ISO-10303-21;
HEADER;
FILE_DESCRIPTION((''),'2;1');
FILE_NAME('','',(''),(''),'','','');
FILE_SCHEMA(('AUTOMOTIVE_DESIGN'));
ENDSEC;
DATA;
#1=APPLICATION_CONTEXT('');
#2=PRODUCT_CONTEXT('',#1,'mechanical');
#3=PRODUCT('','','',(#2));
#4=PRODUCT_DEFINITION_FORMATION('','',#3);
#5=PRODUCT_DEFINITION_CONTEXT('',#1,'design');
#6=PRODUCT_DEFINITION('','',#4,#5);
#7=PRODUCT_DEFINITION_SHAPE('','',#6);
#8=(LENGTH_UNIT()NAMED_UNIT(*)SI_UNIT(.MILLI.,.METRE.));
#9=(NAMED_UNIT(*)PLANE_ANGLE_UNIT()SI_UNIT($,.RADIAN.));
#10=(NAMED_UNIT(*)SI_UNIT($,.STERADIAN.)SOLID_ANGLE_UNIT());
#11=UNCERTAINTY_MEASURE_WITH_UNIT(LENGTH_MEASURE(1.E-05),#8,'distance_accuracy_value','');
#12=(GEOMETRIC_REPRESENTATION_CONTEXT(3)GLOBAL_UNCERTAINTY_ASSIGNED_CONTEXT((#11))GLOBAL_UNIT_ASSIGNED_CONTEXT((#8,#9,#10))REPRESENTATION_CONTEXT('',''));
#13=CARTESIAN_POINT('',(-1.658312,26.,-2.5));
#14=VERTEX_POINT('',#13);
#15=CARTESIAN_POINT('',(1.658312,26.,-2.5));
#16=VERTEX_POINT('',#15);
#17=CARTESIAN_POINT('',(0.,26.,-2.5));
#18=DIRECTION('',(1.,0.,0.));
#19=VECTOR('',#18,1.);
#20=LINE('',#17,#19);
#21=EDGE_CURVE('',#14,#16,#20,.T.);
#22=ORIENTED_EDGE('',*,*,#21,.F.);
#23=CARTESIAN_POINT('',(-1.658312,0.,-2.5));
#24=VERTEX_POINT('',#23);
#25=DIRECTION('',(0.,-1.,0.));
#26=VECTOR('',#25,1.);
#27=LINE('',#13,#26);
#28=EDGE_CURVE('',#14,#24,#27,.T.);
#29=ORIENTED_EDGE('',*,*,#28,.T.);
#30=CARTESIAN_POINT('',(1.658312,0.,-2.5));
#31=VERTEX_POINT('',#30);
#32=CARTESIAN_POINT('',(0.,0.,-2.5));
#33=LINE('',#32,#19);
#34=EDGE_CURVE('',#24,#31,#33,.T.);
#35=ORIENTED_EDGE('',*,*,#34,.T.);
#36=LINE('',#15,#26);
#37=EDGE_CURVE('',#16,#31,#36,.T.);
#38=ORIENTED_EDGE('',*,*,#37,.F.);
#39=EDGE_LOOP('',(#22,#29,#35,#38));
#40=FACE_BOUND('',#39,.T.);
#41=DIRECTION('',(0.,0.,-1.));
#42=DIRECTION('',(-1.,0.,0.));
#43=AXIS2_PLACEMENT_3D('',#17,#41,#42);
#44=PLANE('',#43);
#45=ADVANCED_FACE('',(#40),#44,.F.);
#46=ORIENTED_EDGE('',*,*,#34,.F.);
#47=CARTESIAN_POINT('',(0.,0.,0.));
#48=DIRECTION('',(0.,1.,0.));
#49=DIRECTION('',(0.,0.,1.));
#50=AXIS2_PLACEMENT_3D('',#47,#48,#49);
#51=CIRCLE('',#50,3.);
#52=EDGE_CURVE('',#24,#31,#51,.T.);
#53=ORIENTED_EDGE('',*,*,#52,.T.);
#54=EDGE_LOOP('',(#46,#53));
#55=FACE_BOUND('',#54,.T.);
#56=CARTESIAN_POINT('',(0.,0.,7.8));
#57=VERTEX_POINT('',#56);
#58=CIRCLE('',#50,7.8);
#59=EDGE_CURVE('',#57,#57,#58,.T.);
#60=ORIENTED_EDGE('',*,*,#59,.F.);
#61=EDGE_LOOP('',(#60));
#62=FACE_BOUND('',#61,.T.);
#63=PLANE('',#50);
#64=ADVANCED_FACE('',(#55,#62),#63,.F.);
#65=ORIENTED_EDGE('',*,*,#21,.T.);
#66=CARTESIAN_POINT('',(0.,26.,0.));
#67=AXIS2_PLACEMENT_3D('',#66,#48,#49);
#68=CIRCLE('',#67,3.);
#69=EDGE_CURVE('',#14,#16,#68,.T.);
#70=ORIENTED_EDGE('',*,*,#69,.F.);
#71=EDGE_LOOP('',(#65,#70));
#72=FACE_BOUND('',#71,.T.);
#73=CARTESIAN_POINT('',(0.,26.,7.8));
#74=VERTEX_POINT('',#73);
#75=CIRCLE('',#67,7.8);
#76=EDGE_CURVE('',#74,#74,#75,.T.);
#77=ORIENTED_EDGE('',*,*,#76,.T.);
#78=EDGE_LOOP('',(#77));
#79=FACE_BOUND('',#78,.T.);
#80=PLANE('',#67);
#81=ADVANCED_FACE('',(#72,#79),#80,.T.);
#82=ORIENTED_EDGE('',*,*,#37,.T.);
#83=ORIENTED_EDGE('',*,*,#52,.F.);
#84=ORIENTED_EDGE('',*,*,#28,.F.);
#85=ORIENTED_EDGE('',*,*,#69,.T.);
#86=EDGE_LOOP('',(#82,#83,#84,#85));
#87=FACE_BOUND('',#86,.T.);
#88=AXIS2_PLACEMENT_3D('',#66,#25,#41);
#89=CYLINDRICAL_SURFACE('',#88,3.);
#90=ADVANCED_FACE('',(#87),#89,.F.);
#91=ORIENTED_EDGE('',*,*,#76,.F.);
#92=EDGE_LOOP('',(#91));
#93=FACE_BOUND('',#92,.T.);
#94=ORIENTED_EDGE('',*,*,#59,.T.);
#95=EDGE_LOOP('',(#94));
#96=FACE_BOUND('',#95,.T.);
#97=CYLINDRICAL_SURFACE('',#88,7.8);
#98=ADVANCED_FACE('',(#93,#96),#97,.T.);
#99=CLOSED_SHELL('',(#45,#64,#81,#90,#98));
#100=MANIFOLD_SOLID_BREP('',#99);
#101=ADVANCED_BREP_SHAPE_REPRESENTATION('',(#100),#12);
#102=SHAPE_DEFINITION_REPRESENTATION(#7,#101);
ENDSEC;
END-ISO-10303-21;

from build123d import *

# Parameters (mm, degrees)
SKETCH1_R           = 7.8
BOSS_EXTRUDE1_DEPTH = 26
CUT_EXTRUDE3_DEPTH  = 27


with BuildPart() as part:
    # Sketch1 → Boss-Extrude1 (new body)
    with BuildSketch(Plane(origin=(0, 0, 0), x_dir=(1, 0, 0), z_dir=(0, 1, 0))):
        Circle(SKETCH1_R)
    extrude(amount=BOSS_EXTRUDE1_DEPTH)

    # Sketch2 → Cut-Extrude3 (cut, through all)
    with BuildSketch(Plane(origin=(0, 0, 0), x_dir=(1, 0, 0), z_dir=(0, 1, 0))):
        with BuildLine():
            Line((1.658312395, 2.5), (-1.658312395, 2.5))
            ThreePointArc((-1.658312395, 2.5), (-1.418637165, -2.643382037), (3, 0))
            ThreePointArc((3, 0), (2.643382037, 1.418637165), (1.658312395, 2.5))
        make_face()
    extrude(amount=CUT_EXTRUDE3_DEPTH, mode=Mode.SUBTRACT)


solid = part.part
